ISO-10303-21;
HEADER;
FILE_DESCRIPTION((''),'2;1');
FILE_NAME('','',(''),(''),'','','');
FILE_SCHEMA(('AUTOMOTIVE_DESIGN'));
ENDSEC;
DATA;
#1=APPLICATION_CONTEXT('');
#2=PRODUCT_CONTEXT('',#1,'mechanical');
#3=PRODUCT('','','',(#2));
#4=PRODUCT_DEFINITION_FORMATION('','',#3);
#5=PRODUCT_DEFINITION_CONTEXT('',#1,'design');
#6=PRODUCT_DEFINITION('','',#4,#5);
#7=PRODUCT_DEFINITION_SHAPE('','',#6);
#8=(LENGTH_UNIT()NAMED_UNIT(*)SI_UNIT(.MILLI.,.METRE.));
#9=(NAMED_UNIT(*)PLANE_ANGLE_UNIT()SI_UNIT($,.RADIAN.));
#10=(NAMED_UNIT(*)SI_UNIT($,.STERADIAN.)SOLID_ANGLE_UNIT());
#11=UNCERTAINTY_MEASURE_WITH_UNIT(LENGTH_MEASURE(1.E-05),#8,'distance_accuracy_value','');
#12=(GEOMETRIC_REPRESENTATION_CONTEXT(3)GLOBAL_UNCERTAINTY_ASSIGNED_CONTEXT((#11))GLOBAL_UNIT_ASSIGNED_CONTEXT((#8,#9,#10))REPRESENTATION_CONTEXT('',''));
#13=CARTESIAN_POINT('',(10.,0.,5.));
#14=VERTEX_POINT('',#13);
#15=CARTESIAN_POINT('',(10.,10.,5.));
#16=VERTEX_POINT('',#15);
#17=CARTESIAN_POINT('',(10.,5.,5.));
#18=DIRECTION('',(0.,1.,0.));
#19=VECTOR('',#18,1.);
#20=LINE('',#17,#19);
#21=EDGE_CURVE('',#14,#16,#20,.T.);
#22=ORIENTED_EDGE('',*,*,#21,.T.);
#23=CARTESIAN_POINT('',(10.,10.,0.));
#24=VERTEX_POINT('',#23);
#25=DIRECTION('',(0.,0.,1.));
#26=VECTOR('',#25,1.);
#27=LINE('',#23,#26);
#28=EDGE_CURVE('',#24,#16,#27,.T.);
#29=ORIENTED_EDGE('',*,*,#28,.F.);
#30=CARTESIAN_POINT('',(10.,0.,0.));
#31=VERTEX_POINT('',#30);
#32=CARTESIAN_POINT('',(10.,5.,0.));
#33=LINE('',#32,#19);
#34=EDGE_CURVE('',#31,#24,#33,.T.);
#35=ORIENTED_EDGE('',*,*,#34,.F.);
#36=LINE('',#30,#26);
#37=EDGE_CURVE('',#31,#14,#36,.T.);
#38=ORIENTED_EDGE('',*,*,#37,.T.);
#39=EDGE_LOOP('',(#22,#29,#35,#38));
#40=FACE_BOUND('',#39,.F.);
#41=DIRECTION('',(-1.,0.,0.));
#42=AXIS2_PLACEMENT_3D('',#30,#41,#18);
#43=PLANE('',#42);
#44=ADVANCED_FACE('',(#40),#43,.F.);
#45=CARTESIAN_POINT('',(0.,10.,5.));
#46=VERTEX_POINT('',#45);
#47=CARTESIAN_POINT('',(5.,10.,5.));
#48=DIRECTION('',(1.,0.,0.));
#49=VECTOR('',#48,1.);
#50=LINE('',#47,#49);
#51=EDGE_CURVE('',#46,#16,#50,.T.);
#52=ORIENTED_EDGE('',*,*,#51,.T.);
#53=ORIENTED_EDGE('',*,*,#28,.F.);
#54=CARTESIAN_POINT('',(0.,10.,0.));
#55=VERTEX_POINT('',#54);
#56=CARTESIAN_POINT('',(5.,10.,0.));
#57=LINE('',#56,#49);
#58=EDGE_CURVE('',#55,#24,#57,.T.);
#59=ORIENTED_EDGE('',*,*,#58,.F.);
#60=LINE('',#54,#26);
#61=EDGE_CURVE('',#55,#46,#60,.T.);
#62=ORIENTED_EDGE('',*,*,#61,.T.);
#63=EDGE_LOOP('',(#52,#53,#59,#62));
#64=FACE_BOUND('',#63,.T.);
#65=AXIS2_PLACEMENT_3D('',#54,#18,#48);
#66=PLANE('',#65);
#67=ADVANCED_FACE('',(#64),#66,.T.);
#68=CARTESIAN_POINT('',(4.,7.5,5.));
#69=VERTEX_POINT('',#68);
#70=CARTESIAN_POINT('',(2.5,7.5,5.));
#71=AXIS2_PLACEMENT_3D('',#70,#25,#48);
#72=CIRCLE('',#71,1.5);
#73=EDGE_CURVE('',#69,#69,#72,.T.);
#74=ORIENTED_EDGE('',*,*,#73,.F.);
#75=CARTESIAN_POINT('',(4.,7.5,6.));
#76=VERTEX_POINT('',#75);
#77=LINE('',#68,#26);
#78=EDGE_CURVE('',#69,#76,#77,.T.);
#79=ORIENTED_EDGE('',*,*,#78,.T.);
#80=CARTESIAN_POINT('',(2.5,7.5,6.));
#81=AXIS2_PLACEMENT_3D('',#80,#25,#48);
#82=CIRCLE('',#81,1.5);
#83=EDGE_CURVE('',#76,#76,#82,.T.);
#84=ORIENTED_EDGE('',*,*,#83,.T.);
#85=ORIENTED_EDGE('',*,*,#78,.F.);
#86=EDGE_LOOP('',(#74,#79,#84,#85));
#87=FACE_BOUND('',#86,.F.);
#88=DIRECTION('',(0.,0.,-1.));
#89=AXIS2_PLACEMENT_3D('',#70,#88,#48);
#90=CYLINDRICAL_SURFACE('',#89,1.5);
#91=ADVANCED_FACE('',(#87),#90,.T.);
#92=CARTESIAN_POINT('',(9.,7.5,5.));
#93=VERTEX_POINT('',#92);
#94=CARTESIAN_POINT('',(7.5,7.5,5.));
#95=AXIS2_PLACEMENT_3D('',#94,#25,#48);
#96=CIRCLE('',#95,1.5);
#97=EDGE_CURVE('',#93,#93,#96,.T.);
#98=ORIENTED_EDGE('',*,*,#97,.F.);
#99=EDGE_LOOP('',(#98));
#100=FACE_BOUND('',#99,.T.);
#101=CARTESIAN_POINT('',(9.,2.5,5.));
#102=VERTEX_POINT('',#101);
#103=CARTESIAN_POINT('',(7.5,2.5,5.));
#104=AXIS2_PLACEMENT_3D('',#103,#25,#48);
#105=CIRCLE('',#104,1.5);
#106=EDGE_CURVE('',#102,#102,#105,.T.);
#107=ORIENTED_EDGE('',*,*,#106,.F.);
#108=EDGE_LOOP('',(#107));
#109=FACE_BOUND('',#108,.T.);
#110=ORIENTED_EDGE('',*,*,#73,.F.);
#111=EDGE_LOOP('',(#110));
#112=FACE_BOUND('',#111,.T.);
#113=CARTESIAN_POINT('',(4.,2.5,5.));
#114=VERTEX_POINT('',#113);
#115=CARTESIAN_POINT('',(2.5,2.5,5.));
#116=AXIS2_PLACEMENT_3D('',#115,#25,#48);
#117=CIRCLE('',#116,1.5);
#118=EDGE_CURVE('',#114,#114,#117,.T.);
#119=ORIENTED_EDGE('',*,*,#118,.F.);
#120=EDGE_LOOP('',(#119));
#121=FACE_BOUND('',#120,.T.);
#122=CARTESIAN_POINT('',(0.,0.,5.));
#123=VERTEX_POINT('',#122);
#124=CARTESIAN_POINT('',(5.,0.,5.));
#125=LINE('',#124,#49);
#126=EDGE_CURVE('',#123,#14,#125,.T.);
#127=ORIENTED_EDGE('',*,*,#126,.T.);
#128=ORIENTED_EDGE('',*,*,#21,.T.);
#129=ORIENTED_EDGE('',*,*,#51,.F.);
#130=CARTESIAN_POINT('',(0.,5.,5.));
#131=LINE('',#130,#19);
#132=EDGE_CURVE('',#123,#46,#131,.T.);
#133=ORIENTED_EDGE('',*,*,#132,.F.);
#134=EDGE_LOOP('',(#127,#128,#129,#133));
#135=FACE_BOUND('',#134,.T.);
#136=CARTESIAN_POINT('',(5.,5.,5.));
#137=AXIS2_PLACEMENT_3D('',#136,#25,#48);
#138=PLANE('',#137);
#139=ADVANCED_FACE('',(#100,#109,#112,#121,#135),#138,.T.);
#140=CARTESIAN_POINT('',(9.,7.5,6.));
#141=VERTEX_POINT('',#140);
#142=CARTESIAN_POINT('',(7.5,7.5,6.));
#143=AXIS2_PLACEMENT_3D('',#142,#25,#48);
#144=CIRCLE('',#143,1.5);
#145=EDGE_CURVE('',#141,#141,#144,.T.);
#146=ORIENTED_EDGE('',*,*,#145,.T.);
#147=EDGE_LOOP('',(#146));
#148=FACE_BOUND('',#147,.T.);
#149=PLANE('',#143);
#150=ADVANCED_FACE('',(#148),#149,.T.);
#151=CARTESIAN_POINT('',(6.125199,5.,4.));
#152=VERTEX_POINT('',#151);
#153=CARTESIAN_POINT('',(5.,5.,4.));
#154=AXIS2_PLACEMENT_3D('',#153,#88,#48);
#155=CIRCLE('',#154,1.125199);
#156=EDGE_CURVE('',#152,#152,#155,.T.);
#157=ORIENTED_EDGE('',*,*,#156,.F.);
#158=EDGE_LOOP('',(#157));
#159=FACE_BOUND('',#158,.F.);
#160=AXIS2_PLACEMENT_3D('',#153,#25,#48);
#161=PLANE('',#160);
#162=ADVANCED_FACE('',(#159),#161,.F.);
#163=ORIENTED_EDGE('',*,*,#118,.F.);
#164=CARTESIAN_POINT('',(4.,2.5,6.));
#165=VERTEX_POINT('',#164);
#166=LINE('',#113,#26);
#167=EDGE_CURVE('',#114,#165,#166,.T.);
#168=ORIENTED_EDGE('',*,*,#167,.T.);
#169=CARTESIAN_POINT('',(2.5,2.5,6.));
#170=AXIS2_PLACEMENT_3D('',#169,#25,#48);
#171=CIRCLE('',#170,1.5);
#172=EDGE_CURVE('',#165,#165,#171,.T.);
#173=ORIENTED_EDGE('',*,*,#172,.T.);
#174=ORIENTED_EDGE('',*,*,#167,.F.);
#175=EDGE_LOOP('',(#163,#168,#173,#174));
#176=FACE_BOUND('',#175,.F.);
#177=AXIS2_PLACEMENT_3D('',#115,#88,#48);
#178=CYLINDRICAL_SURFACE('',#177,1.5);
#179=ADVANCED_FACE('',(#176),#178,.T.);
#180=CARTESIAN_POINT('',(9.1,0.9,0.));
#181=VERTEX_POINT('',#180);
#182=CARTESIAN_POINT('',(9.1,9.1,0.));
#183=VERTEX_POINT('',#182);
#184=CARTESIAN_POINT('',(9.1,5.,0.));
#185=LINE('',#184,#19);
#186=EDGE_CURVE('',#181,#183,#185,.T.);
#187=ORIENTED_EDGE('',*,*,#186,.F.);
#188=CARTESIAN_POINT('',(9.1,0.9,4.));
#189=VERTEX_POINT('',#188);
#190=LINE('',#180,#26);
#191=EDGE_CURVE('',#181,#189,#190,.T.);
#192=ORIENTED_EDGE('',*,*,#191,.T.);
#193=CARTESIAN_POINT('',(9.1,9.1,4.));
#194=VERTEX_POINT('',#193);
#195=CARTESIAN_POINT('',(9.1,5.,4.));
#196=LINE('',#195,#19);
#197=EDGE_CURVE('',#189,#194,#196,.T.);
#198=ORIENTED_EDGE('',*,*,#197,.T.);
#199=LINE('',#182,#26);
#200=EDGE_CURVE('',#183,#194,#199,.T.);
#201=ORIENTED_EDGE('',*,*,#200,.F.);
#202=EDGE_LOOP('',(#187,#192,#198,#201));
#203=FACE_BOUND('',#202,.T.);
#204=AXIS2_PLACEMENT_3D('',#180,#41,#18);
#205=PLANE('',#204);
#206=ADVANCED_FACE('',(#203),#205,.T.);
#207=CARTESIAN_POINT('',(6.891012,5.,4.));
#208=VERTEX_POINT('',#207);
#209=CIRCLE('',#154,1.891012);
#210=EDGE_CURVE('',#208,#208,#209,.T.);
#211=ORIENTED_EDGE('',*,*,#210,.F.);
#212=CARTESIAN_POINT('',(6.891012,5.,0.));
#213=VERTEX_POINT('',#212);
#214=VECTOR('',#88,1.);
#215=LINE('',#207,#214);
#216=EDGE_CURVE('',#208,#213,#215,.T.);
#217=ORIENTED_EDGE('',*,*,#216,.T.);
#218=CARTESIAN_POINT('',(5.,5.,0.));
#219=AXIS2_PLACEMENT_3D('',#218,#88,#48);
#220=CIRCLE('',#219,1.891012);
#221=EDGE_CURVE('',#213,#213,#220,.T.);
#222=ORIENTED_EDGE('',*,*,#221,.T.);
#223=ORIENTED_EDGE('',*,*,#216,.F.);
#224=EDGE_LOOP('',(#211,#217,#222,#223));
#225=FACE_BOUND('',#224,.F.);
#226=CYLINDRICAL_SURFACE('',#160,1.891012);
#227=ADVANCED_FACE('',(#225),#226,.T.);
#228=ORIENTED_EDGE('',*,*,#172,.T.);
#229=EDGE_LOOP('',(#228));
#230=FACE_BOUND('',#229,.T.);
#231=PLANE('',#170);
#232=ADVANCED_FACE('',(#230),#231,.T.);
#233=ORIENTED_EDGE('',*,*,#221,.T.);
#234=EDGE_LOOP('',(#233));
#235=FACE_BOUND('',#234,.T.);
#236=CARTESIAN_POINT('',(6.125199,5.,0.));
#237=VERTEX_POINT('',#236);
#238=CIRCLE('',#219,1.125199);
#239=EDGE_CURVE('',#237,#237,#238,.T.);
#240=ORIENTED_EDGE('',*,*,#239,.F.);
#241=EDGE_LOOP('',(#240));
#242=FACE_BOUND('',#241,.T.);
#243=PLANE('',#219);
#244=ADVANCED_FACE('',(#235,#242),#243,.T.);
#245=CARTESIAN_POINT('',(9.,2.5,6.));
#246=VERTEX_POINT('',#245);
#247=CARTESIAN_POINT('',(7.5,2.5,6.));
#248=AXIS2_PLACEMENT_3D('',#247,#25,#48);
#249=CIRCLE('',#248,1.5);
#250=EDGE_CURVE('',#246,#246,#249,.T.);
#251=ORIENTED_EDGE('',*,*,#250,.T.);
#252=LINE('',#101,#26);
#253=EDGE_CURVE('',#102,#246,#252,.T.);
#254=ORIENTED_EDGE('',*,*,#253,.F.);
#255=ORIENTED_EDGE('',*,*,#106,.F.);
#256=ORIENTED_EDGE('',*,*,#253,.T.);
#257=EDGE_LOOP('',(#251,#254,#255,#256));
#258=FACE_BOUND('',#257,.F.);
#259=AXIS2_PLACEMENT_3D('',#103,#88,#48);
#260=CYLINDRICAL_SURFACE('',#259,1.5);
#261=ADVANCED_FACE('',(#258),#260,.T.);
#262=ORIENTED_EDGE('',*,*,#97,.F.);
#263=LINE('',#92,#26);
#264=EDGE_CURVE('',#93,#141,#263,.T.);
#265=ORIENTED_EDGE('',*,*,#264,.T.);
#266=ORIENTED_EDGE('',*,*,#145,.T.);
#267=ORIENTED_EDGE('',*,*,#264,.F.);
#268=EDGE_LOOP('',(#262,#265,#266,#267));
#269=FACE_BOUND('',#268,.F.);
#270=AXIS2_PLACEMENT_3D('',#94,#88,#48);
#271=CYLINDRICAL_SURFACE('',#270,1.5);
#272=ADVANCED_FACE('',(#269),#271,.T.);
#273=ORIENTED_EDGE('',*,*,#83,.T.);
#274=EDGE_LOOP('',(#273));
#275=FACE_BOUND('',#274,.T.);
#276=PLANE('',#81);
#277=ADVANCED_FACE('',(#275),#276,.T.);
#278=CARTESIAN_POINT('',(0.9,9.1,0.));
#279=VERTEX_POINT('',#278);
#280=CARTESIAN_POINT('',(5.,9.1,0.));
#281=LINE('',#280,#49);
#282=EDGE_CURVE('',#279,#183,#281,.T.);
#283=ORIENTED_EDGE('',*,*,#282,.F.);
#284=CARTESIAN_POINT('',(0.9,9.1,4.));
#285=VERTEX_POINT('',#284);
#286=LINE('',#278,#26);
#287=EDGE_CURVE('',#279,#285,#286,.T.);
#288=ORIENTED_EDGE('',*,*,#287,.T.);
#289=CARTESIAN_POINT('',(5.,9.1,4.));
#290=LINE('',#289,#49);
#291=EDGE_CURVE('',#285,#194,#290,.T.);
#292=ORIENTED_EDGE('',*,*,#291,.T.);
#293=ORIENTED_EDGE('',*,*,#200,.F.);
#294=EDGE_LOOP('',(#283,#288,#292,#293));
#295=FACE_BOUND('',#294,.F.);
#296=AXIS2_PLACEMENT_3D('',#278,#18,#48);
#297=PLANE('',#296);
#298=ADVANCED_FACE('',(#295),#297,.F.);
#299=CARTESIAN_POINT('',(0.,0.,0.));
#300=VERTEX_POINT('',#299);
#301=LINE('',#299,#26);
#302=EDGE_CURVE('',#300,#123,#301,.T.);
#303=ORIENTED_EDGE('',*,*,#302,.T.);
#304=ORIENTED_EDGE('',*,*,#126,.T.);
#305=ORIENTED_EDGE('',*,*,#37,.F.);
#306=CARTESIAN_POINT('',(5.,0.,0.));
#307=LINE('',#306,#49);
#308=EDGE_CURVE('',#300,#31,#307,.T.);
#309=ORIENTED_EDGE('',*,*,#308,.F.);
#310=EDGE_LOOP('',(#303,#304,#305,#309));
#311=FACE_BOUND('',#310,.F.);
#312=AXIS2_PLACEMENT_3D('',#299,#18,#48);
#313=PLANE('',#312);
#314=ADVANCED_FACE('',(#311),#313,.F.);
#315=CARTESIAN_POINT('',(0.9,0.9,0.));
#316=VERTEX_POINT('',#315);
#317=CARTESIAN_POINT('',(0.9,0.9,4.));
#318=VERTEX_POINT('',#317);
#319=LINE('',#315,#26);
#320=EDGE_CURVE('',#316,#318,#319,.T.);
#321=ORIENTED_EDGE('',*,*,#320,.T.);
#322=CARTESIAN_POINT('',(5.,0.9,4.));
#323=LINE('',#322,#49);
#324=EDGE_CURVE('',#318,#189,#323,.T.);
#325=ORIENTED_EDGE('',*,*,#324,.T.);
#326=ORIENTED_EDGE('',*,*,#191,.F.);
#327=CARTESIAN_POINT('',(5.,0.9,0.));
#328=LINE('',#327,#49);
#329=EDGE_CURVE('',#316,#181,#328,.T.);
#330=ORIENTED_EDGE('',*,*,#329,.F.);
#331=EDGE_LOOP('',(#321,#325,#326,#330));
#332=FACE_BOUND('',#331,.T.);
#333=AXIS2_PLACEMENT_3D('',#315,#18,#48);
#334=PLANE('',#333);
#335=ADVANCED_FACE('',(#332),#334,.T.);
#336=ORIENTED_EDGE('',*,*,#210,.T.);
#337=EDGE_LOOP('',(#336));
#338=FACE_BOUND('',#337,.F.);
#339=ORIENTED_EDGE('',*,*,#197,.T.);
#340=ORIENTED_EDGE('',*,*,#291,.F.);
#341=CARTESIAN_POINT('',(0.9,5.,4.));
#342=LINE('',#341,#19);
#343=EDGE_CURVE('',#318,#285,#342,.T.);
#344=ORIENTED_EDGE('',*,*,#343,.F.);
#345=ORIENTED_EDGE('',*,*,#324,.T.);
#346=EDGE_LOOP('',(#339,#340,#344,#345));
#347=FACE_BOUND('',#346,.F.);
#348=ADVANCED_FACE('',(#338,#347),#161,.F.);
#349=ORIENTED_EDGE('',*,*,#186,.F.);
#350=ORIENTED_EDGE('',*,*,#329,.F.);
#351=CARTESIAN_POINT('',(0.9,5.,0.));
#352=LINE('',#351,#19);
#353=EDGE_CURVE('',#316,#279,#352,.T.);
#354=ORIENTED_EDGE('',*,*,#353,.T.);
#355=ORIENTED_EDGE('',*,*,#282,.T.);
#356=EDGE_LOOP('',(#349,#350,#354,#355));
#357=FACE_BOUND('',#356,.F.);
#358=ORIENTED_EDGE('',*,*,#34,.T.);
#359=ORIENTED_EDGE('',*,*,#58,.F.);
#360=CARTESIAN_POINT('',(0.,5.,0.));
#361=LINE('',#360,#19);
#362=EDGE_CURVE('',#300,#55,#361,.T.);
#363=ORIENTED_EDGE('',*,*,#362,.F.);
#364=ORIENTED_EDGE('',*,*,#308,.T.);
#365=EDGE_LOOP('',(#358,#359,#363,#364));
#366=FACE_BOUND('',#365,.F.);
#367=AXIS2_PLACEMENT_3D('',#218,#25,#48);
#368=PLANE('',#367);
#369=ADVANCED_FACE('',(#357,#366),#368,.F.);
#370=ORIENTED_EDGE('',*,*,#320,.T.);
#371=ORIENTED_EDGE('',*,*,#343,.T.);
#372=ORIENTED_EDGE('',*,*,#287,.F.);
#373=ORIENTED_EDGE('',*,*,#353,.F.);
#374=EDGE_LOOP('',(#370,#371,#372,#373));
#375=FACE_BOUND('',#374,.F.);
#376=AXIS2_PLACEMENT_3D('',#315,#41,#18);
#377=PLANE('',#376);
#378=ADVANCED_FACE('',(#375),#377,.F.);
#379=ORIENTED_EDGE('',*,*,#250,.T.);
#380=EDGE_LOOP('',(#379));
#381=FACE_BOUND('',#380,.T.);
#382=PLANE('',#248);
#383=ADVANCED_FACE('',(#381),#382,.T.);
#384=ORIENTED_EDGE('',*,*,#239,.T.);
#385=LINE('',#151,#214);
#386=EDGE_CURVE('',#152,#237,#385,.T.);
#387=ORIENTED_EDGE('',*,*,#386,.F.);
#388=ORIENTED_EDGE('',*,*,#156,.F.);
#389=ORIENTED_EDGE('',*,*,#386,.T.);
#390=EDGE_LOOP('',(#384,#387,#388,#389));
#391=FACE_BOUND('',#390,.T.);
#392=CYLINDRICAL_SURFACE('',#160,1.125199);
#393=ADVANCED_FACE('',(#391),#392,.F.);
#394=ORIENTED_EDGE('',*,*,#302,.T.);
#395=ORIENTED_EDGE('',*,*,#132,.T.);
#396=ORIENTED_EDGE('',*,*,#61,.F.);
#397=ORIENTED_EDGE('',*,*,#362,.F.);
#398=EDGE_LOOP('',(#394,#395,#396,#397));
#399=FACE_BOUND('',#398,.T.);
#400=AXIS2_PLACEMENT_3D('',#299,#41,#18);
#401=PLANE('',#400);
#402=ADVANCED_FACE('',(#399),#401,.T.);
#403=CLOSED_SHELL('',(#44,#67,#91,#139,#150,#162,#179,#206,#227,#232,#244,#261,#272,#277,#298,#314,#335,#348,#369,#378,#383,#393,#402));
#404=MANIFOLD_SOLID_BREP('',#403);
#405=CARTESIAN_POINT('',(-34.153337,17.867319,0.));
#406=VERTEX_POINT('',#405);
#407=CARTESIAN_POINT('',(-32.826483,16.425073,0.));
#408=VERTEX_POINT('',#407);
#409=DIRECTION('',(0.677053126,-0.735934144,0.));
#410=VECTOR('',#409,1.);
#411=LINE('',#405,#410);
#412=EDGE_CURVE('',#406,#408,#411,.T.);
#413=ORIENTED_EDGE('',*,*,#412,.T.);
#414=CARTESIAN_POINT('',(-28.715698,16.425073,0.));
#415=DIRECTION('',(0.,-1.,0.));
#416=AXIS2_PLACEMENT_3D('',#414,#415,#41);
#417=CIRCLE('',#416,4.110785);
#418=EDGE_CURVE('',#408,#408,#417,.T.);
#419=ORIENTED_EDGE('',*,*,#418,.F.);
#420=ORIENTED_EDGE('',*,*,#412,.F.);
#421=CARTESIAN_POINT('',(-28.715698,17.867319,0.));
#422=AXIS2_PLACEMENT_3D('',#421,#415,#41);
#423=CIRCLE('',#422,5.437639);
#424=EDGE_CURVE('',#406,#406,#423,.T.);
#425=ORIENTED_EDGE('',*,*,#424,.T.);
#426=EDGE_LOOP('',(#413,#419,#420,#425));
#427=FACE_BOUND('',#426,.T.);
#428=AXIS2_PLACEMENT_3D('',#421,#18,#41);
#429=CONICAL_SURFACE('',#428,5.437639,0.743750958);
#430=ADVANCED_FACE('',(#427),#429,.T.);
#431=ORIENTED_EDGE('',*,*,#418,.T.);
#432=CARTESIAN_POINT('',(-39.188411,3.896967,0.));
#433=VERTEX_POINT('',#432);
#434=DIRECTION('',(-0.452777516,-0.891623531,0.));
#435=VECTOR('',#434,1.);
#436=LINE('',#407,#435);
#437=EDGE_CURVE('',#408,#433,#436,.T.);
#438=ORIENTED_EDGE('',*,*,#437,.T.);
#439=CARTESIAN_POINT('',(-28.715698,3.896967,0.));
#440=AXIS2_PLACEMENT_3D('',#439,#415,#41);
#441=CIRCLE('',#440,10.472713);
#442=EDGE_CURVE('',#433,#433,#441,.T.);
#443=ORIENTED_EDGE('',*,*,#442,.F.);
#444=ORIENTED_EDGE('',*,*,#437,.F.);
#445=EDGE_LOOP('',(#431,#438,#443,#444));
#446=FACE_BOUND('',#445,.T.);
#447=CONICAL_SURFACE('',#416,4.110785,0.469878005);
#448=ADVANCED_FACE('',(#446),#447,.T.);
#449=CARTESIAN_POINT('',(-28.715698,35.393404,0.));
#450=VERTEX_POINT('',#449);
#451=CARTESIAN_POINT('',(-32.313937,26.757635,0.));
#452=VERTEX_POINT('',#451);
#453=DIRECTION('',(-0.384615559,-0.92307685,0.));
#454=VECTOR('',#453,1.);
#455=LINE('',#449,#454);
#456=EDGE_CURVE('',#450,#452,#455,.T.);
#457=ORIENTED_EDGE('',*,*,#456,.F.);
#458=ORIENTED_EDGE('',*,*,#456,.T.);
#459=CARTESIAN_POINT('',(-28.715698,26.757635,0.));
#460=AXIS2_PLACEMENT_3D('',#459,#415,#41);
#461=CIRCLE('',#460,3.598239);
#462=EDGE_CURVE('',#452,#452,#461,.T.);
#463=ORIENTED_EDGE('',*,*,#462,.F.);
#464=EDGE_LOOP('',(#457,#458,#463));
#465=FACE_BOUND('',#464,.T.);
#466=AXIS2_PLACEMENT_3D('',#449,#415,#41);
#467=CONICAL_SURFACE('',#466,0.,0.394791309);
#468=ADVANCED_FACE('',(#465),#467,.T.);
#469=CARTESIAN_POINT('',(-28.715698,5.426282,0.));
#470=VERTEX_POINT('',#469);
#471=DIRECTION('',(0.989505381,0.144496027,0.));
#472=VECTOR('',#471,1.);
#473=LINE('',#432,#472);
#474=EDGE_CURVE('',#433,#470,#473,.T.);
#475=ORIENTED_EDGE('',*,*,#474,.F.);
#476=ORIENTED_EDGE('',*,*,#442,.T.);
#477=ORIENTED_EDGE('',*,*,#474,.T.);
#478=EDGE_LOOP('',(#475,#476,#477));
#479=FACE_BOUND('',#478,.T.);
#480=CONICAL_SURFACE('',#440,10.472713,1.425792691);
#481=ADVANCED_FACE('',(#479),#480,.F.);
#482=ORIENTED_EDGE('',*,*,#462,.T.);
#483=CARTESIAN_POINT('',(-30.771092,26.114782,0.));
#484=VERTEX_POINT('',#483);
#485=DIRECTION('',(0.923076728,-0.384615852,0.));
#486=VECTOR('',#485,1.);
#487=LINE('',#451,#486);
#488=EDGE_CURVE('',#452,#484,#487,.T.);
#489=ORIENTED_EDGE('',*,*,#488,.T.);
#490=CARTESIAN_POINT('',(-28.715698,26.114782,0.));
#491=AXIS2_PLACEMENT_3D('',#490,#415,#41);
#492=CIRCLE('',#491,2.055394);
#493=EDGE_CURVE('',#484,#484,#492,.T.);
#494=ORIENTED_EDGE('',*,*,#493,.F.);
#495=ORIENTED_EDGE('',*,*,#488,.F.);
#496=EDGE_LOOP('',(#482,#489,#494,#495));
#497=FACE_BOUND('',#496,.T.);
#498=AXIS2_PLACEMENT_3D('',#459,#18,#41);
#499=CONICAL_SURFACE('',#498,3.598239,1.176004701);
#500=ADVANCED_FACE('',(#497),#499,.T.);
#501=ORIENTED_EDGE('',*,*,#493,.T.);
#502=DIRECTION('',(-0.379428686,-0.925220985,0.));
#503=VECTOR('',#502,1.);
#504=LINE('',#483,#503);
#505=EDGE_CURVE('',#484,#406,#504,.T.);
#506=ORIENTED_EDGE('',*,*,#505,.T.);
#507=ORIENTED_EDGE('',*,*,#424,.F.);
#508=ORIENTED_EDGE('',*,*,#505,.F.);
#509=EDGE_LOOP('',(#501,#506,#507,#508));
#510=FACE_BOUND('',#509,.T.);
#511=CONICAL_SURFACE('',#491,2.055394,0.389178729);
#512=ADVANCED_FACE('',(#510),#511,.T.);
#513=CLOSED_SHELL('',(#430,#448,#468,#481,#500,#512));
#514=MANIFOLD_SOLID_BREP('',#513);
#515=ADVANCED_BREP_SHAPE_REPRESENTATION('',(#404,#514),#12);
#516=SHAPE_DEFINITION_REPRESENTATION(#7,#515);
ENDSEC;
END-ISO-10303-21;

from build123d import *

# Parameters (mm, degrees)
F0_W     = 10
F0_H     = 10
F1_DEPTH = 5
F2_R     = 1.5
F3_DEPTH = 1
F4_W     = 8.2
F4_H     = 8.2
F5_DEPTH = 4
F6_R     = 1.891012
F6_R_2   = 1.125199
F7_DEPTH = 4


with BuildPart() as f1:
    # F0 (on Top) → F1 (new body)
    with BuildSketch(Plane.XY):
        with Locations((5, 5)):
            Rectangle(F0_W, F0_H)
    extrude(amount=F1_DEPTH)

    # F2 (on face) → F3 (join)
    with BuildSketch(Plane.XY.offset(5)):
        with Locations((2.5, 7.5)):
            Circle(F2_R)
        with Locations((2.5, 2.5)):
            Circle(F2_R)
        with Locations((7.5, 2.5)):
            Circle(F2_R)
        with Locations((7.5, 7.5)):
            Circle(F2_R)
    extrude(amount=F3_DEPTH)

    # F4 (on Top) → F5 (cut)
    with BuildSketch(Plane.XY):
        with Locations((5, 5)):
            Rectangle(F4_W, F4_H)
    extrude(amount=F5_DEPTH, mode=Mode.SUBTRACT)

    # F6 (on face) → F7 (join, through all)
    with BuildSketch(Plane(origin=(0, 0, 4), x_dir=(1, 0, 0), z_dir=(0, 0, -1))):
        with Locations((5, -5)):
            Circle(F6_R)
        with Locations((5, -5)):
            Circle(F6_R_2, mode=Mode.SUBTRACT)
    extrude(amount=F7_DEPTH)


with BuildPart() as f9:
    # F8 (on Top) → F9 (revolve)
    with BuildSketch(Plane.XY):
        Polygon((-39.188411, 3.896967), (-28.715698, 5.426282), (-28.715698, 35.393404), (-32.313937, 26.757635), (-30.771092, 26.114782), (-34.153337, 17.867319), (-32.826483, 16.425073), align=None)
    revolve(axis=Axis((-28.715698, 20.409843, 0), (0, -1, 0)))


solid = Compound([f1.part, f9.part])
